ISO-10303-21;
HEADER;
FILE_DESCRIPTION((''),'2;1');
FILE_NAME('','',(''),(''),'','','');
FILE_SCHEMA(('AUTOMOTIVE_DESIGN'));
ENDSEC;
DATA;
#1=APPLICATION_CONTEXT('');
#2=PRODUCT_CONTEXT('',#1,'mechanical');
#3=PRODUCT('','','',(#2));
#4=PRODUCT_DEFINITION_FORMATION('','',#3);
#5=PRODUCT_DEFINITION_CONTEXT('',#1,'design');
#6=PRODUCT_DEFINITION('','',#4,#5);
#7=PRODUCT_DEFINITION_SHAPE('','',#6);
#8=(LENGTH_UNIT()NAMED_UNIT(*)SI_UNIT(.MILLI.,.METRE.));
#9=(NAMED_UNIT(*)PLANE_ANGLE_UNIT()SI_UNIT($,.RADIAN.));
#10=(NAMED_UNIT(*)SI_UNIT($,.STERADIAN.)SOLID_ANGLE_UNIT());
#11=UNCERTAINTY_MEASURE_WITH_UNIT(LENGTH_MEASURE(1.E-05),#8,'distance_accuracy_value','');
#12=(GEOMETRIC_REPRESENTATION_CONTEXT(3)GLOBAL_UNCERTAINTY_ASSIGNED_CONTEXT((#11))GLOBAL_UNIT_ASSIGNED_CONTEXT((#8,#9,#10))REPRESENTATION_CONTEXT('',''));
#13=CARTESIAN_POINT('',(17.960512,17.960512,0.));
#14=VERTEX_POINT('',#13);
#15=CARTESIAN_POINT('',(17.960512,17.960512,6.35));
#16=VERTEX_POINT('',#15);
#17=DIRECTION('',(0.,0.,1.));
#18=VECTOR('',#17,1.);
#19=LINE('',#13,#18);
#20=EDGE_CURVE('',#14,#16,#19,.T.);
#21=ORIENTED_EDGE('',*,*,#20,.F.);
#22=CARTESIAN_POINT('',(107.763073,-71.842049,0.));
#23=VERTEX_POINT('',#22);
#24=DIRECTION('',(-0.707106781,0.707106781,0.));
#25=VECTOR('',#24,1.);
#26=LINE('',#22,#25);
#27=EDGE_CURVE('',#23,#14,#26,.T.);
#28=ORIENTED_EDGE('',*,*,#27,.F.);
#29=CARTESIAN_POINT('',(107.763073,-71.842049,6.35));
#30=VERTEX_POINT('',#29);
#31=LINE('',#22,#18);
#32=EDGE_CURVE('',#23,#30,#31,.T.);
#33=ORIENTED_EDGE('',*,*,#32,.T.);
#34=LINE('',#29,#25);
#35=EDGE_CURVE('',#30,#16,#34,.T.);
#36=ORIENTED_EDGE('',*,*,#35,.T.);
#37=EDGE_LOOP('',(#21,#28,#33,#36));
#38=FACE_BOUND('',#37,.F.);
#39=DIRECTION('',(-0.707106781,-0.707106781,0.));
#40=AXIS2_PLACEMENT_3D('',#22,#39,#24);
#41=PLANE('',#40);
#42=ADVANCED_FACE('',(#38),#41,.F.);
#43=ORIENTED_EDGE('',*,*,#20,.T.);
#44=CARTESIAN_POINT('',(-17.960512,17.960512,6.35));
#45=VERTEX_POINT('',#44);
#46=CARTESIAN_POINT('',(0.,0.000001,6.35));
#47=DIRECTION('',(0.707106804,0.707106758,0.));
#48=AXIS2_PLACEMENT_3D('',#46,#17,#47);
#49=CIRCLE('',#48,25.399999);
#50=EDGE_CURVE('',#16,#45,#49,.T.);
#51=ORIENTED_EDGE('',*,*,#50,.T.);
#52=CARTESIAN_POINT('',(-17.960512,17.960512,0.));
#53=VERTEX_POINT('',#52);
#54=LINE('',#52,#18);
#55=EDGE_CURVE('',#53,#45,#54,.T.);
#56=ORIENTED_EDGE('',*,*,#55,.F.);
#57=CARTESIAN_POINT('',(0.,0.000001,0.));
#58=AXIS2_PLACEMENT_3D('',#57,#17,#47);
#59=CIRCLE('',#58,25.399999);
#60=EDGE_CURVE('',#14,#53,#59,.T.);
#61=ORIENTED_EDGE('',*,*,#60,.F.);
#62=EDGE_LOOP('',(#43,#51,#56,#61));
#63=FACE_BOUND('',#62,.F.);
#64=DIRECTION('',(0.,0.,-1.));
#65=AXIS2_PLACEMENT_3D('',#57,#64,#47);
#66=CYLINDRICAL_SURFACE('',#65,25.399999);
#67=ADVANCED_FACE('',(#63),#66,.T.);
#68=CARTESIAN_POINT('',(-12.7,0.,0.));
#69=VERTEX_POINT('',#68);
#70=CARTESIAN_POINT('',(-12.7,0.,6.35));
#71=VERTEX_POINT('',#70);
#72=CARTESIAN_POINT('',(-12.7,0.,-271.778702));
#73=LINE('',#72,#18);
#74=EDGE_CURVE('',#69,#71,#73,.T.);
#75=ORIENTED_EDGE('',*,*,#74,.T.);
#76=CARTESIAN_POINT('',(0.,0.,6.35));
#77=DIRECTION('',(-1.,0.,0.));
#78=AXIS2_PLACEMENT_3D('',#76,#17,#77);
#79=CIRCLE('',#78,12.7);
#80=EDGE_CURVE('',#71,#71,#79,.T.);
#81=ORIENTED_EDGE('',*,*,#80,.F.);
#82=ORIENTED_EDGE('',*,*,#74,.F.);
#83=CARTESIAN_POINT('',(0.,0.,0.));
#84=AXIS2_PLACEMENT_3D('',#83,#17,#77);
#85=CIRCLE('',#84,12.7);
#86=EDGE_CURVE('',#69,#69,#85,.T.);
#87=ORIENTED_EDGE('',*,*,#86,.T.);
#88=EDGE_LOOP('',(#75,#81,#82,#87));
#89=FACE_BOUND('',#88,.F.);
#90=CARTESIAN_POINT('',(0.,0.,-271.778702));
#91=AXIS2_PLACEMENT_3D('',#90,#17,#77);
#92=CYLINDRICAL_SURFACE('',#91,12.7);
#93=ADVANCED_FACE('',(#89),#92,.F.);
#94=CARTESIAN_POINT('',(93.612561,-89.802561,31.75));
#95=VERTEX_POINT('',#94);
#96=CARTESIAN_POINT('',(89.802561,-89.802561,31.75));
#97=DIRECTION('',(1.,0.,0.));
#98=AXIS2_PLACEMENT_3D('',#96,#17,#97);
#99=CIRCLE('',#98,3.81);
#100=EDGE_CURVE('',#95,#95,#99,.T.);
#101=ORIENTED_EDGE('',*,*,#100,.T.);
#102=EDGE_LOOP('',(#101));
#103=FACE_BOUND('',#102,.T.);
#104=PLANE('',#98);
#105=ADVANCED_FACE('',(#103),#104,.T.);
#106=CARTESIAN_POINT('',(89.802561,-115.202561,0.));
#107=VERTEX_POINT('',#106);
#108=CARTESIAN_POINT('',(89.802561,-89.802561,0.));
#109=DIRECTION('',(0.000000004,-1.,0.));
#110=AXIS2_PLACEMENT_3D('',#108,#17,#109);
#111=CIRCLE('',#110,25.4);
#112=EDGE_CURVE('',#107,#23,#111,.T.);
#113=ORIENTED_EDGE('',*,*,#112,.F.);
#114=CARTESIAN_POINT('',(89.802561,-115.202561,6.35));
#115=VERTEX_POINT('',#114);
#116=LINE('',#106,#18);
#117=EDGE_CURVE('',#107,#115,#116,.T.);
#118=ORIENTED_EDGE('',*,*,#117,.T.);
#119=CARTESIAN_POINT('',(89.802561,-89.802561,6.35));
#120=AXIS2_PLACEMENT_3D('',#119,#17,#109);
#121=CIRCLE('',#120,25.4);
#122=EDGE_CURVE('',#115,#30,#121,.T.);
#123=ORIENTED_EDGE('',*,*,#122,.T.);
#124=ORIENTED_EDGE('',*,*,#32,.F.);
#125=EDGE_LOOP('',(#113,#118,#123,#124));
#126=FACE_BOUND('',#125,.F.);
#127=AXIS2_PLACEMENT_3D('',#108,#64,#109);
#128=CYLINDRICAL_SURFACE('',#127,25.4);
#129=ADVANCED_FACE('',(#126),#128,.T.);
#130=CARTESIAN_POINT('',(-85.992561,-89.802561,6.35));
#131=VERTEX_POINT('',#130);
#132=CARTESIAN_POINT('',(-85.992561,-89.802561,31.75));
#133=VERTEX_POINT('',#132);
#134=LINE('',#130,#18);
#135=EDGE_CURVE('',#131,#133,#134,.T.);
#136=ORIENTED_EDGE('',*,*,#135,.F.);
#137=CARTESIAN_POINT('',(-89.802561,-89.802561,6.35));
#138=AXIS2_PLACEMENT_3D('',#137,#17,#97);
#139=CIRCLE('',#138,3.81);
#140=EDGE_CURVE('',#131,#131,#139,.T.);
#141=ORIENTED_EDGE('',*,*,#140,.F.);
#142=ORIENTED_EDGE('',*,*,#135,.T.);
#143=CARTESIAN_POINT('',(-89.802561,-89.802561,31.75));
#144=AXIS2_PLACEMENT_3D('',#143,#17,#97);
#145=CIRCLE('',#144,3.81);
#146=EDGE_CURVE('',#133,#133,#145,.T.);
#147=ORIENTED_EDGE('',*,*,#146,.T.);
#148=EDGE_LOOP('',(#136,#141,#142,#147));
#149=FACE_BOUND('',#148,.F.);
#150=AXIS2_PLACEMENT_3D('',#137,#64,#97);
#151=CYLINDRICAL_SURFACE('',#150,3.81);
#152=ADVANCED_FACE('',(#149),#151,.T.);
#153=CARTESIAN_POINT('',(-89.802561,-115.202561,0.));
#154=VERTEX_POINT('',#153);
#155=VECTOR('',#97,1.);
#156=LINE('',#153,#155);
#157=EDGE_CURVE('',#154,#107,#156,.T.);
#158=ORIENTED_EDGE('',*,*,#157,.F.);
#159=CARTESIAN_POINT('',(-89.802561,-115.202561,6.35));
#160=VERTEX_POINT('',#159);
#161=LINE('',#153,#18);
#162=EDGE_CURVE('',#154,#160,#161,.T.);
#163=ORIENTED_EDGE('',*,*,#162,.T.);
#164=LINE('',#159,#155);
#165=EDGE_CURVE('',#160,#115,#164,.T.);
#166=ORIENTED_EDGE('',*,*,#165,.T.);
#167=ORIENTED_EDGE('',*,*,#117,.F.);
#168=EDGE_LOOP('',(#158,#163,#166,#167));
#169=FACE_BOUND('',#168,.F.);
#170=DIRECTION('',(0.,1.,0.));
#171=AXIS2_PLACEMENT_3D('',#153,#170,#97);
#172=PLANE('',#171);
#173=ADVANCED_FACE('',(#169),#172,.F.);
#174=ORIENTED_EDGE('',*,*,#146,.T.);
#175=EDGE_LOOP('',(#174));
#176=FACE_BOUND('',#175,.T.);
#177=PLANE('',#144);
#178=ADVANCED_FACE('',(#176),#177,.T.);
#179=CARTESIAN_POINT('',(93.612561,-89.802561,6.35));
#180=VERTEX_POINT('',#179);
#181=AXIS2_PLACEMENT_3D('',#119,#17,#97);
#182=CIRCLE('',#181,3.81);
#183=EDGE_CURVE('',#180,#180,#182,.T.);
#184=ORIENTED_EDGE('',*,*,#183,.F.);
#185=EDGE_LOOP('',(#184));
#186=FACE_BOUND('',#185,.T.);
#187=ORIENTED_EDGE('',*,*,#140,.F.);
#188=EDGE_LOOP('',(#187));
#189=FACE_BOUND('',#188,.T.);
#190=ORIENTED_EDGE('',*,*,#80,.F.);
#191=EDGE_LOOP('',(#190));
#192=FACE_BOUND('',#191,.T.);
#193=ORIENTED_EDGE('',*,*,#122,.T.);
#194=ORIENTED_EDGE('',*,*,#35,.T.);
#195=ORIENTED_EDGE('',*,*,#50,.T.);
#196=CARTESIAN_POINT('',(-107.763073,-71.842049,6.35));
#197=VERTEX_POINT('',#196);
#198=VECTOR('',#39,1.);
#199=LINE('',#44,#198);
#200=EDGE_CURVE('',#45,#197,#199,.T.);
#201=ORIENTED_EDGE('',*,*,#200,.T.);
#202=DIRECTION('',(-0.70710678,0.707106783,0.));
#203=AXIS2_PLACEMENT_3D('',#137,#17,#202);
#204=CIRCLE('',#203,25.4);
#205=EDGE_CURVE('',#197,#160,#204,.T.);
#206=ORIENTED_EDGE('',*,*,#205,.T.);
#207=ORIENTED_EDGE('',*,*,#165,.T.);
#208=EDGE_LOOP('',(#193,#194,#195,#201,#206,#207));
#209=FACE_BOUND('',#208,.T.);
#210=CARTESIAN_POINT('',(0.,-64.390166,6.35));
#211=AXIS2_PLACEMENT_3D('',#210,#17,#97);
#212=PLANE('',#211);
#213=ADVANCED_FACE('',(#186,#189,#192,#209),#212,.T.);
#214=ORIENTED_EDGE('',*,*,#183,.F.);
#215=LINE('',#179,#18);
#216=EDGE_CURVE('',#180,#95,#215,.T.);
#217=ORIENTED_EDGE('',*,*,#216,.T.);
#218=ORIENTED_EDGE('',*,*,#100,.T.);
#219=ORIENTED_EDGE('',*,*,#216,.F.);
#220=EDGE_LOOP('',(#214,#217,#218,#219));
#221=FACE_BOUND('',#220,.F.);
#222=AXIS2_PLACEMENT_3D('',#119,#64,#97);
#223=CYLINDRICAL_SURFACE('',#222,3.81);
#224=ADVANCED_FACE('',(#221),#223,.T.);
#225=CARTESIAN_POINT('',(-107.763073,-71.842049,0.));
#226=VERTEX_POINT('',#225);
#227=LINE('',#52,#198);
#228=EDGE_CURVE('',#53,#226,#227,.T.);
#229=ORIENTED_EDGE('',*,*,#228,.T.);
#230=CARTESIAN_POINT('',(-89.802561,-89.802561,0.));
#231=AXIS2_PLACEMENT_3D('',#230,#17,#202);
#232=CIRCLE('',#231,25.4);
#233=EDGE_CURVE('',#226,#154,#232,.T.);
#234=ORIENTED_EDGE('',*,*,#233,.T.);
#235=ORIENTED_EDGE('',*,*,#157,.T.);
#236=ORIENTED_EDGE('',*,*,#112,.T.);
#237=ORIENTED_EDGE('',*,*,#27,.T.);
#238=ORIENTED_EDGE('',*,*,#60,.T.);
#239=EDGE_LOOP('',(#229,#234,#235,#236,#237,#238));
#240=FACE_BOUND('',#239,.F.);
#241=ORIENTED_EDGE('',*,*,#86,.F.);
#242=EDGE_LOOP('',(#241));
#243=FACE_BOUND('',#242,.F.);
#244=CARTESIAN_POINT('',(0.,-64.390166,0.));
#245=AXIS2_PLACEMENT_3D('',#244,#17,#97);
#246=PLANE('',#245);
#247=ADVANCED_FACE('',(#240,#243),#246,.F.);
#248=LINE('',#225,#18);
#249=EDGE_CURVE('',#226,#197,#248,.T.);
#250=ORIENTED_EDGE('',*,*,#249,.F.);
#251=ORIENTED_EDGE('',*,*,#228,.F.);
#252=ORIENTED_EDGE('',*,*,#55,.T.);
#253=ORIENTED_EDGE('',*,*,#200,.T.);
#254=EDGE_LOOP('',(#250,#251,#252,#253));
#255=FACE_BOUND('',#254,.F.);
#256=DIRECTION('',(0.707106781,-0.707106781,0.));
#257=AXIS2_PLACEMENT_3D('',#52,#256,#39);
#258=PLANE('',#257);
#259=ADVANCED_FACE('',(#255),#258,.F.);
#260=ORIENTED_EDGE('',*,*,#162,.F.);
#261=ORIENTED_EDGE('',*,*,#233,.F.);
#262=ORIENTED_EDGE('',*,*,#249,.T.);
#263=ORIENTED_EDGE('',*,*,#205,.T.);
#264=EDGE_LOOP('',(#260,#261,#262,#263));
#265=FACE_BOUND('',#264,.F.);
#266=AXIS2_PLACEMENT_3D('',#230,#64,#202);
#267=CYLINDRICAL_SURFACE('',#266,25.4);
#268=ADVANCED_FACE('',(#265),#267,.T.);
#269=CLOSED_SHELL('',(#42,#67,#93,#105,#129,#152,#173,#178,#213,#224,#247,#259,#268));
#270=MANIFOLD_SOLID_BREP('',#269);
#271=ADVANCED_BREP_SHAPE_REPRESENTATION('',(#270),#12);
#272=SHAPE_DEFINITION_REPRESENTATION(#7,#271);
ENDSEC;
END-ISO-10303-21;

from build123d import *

# Parameters (mm, degrees)
F2_DEPTH = 6.35
F3_R     = 3.81
F4_DEPTH = 25.4
F5_D     = 25.4


with BuildPart() as f2:
    # F1 (on Top) → F2 (new body)
    with BuildSketch(Plane.XY):
        with BuildLine():
            ThreePointArc((89.802561, -115.202561), (113.269101, -99.52272), (107.763073, -71.842049))
            Line((107.763073, -71.842049), (17.960512, 17.960512))
            ThreePointArc((17.960512, 17.960512), (0, 25.4), (-17.960512, 17.960512))
            Line((-17.960512, 17.960512), (-107.763073, -71.842049))
            ThreePointArc((-107.763073, -71.842049), (-113.269101, -99.52272), (-89.802561, -115.202561))
            Line((-89.802561, -115.202561), (89.802561, -115.202561))
        make_face()
    extrude(amount=F2_DEPTH)

    # F3 (on face) → F4 (join)
    with BuildSketch(Plane.XY.offset(6.35)):
        with Locations((89.802561, -89.802561)):
            Circle(F3_R)
        with Locations((-89.802561, -89.802561)):
            Circle(F3_R)
    extrude(amount=F4_DEPTH)

    # F5 (through all)
    with Locations(Plane(origin=(0, 0, 0), x_dir=(1, 0, 0), z_dir=(0, 0, -1))):
        with Locations((0, 0)):
            Hole(F5_D / 2)


solid = f2.part
